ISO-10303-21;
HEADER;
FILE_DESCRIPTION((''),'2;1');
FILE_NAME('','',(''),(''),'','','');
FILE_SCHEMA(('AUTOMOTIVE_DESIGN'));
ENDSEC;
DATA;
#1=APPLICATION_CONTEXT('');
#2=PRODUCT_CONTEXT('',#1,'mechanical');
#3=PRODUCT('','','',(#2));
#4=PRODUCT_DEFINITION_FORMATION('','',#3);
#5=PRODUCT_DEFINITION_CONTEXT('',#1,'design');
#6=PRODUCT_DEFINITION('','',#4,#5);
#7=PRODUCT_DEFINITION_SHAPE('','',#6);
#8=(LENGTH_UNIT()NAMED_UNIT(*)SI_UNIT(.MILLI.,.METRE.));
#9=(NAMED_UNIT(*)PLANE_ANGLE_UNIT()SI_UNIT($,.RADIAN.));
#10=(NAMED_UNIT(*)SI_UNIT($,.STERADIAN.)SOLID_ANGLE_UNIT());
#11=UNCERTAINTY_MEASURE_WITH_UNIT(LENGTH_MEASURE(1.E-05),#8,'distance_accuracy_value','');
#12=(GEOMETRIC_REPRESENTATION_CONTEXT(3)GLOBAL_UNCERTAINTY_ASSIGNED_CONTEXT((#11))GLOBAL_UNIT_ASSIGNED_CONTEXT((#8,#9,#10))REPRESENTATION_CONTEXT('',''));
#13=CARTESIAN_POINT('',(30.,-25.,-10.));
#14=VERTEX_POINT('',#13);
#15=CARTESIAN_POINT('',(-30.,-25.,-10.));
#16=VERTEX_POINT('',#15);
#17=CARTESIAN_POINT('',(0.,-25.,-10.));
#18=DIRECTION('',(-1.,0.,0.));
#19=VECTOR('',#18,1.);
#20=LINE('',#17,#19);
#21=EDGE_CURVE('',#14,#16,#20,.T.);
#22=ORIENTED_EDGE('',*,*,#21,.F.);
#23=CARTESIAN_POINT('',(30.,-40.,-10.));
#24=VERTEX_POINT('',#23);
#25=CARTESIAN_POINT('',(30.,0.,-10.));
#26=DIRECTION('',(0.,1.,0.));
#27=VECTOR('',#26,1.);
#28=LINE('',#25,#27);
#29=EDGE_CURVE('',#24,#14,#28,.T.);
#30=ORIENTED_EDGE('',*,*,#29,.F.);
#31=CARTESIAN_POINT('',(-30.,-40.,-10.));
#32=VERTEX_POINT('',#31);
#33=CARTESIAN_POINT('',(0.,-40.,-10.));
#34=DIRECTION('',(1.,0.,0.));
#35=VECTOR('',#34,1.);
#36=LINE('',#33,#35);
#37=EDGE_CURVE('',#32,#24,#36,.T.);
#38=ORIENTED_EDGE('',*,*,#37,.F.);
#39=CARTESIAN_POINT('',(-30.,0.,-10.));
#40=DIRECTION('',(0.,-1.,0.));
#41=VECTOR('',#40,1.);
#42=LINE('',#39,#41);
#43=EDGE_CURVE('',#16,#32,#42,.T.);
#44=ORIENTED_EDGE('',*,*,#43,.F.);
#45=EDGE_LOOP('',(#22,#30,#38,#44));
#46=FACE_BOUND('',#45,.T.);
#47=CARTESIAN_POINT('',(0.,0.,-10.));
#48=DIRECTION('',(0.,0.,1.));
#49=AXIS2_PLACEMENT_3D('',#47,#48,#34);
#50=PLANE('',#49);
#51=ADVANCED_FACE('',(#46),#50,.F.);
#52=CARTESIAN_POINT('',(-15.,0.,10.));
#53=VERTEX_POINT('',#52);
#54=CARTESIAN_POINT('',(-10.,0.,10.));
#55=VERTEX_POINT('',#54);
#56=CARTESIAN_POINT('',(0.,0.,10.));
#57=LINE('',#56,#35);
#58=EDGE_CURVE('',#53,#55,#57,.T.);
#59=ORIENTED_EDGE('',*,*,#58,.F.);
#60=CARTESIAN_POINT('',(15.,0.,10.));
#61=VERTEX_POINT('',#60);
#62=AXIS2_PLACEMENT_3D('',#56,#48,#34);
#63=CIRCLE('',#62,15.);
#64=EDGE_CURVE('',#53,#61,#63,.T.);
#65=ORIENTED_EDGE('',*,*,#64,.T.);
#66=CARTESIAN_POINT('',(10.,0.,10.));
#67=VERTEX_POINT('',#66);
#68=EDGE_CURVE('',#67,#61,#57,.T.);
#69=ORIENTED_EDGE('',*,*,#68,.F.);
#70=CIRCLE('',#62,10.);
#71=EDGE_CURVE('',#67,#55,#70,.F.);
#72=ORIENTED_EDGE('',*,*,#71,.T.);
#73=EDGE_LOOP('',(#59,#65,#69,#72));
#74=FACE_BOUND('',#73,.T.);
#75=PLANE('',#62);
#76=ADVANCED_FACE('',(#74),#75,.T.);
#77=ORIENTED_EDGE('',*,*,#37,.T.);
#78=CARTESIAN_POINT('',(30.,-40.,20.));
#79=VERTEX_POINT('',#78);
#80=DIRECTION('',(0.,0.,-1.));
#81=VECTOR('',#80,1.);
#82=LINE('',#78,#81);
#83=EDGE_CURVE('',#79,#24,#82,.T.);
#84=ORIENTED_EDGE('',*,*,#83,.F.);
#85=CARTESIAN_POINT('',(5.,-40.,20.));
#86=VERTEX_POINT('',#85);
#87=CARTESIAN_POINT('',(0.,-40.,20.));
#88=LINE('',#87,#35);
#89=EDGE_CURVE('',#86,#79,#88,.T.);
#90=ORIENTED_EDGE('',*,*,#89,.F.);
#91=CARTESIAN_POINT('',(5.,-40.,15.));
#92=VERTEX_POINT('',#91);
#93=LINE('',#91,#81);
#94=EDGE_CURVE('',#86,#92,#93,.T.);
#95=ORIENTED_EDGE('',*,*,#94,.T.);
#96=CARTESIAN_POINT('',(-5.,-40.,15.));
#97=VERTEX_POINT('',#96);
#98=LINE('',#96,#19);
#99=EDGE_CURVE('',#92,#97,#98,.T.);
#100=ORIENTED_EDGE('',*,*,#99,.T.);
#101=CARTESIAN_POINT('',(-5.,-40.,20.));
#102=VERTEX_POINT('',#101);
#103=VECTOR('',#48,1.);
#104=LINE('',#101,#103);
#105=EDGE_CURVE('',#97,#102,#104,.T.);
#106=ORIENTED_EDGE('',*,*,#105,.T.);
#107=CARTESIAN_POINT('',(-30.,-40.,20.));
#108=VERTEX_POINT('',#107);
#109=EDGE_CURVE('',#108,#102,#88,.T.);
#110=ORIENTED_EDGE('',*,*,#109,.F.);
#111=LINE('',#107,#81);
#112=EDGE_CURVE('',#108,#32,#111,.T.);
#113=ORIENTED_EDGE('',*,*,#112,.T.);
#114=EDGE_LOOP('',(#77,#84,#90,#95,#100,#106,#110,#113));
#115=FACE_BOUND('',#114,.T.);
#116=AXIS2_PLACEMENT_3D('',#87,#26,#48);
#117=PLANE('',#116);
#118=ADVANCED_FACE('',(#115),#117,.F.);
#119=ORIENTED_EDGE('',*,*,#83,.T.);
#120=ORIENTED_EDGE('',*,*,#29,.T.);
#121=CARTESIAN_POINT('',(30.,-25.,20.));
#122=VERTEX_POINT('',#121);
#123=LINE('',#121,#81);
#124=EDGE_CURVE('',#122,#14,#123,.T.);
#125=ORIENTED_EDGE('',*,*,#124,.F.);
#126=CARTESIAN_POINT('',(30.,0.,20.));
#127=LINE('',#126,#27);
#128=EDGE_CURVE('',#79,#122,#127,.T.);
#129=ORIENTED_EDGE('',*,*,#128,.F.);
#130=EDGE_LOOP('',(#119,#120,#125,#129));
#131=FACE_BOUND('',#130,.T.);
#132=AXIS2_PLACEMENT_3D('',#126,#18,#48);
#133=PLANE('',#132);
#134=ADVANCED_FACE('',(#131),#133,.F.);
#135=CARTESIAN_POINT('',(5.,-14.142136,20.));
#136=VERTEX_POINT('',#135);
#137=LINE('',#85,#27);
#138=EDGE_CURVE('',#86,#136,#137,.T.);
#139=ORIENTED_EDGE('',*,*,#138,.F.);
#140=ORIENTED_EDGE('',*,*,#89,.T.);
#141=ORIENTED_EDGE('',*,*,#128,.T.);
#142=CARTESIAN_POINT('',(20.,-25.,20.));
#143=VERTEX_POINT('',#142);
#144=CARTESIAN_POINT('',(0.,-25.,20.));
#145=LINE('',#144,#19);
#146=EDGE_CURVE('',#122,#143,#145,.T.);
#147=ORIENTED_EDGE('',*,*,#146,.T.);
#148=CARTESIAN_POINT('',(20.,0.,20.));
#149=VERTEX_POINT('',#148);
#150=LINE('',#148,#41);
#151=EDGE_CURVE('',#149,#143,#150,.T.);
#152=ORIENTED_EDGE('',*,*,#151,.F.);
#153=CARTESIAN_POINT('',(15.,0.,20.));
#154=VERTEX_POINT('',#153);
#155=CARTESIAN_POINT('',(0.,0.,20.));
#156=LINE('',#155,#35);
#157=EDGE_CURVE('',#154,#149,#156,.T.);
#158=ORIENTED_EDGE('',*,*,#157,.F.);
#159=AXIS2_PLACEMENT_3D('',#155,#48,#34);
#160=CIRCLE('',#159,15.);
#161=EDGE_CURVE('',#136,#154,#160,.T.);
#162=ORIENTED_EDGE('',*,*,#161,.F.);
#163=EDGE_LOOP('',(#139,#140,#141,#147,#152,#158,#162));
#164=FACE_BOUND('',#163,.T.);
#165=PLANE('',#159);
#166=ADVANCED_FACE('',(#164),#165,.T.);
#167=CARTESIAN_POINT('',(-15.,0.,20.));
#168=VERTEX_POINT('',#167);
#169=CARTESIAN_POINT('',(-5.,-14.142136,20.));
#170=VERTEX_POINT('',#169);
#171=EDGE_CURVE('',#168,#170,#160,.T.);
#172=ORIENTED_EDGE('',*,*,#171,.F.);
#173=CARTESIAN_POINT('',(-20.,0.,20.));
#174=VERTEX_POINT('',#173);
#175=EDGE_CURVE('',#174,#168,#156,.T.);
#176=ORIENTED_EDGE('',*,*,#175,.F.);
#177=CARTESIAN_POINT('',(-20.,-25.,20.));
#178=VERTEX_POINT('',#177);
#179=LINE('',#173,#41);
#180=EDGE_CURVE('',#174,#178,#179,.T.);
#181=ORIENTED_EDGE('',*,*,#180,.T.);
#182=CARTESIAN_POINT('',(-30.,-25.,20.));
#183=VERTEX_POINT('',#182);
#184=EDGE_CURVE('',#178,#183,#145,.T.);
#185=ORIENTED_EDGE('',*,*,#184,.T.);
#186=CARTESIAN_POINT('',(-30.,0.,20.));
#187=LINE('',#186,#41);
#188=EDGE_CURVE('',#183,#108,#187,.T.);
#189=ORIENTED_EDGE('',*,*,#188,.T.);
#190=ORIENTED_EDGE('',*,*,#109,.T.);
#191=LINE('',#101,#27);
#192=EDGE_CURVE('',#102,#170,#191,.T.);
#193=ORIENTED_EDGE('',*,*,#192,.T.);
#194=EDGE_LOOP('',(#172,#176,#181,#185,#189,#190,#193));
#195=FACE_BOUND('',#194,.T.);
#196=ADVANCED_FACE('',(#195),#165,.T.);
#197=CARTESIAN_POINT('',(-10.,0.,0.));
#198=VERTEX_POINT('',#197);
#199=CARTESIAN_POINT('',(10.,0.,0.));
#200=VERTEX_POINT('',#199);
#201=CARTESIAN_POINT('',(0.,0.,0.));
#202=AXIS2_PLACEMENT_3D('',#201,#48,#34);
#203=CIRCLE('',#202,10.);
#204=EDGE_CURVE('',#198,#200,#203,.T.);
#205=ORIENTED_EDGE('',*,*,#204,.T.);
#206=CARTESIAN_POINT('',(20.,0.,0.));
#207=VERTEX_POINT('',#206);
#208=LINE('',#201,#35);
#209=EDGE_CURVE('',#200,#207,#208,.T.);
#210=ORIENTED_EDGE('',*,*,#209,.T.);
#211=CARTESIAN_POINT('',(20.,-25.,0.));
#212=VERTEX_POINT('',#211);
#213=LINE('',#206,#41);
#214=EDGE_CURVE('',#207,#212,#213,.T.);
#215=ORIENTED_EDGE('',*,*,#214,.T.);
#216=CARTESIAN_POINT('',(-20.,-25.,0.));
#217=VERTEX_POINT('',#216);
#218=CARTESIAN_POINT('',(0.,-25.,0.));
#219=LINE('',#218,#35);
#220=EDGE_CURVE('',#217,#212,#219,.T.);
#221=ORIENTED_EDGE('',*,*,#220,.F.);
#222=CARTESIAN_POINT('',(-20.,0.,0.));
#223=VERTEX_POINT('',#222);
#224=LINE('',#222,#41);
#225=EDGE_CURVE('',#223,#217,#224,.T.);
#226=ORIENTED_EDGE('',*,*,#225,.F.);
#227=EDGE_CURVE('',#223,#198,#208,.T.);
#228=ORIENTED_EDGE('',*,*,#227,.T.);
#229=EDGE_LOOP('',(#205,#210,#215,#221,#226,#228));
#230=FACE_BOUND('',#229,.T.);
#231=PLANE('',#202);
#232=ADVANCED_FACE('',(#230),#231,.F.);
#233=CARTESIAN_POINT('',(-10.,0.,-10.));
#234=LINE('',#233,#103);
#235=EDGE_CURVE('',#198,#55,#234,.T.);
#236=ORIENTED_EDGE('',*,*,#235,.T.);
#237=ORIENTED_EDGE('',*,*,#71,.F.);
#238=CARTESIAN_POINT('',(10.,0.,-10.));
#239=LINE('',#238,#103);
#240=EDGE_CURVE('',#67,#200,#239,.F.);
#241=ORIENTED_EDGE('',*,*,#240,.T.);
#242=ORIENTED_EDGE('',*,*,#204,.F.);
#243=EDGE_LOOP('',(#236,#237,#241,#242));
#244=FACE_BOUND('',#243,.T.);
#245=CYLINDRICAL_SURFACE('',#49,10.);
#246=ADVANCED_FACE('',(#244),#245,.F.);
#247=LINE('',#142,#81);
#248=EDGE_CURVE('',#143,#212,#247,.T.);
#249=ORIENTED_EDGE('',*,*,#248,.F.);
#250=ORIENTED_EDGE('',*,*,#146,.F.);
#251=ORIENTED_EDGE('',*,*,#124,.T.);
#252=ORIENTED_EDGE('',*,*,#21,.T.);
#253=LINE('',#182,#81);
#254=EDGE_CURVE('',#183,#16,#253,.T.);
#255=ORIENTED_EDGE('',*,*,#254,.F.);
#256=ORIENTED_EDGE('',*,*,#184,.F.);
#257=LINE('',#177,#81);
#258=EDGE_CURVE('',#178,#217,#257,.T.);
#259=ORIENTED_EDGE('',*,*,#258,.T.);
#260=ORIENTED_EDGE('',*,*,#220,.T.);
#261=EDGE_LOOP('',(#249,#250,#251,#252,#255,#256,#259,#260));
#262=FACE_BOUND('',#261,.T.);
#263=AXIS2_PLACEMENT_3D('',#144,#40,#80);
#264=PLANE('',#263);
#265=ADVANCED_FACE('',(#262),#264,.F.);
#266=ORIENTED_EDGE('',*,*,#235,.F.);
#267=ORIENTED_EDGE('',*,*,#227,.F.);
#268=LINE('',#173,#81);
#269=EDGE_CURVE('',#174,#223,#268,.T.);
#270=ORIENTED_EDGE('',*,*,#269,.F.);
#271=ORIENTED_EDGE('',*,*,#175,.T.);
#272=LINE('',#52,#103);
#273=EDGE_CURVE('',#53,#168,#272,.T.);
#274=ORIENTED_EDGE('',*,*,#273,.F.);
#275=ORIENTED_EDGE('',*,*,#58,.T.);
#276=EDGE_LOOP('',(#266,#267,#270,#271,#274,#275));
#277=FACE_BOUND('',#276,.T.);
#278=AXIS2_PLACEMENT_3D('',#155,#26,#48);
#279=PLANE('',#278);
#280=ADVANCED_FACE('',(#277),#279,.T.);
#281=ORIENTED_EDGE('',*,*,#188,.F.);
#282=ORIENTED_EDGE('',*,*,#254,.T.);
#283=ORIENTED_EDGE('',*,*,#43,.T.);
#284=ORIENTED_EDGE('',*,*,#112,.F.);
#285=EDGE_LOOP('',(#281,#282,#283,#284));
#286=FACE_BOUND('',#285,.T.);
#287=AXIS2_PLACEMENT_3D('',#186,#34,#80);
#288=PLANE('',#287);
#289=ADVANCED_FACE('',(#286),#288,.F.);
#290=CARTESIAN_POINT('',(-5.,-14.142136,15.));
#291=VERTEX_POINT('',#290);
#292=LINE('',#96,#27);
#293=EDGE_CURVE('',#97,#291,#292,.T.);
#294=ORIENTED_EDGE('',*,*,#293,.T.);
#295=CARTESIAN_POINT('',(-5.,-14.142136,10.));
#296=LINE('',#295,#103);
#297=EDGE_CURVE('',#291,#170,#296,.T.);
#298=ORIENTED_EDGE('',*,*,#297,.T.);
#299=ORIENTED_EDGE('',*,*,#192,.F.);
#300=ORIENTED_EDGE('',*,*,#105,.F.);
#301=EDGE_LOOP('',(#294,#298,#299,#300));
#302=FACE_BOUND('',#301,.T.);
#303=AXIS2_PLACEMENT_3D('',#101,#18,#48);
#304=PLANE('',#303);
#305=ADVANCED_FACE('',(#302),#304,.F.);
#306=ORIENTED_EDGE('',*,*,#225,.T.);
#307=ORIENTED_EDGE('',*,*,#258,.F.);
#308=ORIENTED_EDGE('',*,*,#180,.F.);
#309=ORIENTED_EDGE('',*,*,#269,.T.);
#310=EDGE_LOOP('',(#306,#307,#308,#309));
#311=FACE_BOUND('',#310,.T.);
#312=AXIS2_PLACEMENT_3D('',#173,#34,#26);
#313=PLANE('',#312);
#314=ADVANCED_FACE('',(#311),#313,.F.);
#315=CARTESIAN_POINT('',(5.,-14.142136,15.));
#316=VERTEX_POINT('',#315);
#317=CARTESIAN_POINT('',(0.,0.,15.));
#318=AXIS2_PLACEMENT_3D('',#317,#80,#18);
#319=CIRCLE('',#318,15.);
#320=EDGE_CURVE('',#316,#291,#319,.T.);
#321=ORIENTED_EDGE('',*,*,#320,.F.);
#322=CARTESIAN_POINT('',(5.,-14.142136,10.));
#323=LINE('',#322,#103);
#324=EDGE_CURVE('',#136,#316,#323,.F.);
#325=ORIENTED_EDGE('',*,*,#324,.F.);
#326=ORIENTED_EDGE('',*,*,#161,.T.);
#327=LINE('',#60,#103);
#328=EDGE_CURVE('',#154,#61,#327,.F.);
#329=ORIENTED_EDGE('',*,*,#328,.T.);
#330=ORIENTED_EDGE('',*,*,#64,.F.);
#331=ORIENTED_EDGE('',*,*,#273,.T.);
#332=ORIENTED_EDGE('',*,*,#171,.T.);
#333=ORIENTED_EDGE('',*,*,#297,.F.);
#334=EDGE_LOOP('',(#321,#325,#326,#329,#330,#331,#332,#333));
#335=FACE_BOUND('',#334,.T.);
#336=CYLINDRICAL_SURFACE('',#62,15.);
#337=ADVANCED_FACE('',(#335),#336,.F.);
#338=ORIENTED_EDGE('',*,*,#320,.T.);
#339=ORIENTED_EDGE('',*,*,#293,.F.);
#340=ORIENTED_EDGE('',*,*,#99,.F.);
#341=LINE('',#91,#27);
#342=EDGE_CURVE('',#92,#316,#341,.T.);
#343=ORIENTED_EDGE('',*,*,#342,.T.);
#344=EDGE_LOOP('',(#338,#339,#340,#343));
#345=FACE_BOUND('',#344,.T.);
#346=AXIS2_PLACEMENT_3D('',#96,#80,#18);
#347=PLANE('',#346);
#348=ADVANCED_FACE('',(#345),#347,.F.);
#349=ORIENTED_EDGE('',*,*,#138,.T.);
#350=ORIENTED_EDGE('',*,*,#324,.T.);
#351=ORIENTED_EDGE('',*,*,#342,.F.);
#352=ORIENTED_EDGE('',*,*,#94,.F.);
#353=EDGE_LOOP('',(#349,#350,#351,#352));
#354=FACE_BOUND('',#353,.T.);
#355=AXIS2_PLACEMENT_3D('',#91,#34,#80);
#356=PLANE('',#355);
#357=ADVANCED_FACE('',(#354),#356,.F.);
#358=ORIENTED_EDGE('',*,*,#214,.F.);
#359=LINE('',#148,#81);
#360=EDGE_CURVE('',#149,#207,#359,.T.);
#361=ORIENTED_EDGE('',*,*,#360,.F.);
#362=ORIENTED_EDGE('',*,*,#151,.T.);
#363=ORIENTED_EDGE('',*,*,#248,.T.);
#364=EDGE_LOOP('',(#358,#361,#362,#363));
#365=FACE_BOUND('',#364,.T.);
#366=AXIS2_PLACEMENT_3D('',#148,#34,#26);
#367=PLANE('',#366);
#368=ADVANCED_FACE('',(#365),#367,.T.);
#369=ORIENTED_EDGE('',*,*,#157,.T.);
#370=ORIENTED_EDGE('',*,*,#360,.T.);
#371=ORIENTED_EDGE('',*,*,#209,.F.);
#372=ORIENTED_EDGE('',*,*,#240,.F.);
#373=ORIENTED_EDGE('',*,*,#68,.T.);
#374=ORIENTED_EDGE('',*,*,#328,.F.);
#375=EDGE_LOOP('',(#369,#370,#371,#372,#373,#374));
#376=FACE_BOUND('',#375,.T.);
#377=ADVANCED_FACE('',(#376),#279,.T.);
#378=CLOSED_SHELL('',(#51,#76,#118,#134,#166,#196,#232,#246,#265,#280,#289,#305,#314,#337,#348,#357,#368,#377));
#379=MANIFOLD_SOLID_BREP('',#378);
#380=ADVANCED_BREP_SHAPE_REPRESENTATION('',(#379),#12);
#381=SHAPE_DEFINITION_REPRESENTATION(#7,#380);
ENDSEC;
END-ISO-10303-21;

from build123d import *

# Parameters (mm, degrees)
SKETCH1_W                = 40
SKETCH1_H                = 25
BOSS_EXTRUDE1_DEPTH      = 20
BOSS_EXTRUDE2_DEPTH      = 20
BOSS_EXTRUDE2_DEPTH_BACK = 10
SKETCH2_R                = 10
CUT_EXTRUDE1_DEPTH       = 59.309518948
SKETCH3_W                = 10
SKETCH3_H                = 5
CUT_EXTRUDE2_DEPTH       = 54.851648071
SKETCH4_R                = 15
CUT_EXTRUDE3_DEPTH       = 10


with BuildPart() as part:
    # Sketch1 → Boss-Extrude1 (new body)
    with BuildSketch(Plane.XY):
        with Locations((0, -12.5)):
            Rectangle(SKETCH1_W, SKETCH1_H)
    extrude(amount=BOSS_EXTRUDE1_DEPTH)

    # Sketch1<3> → Boss-Extrude2 (add, two sides: drawn at the far end of the back side and taken through both)
    with BuildSketch(Plane.XY.offset(-BOSS_EXTRUDE2_DEPTH_BACK)):
        Polygon((20, -25), (-20, -25), (-30, -25), (-30, -40), (30, -40), (30, -25), align=None)
    extrude(amount=BOSS_EXTRUDE2_DEPTH + BOSS_EXTRUDE2_DEPTH_BACK)

    # Sketch2 → Cut-Extrude1 (cut, through all)
    with BuildSketch(Plane.XY.offset(20)):
        Circle(SKETCH2_R)
    extrude(amount=-CUT_EXTRUDE1_DEPTH, mode=Mode.SUBTRACT)

    # Sketch3 → Cut-Extrude2 (cut, through all)
    with BuildSketch(Plane(origin=(0, 0, 0), x_dir=(1, 0, 0), z_dir=(0, 1, 0))):
        with Locations((0, -17.5)):
            Rectangle(SKETCH3_W, SKETCH3_H)
    extrude(amount=-CUT_EXTRUDE2_DEPTH, mode=Mode.SUBTRACT)

    # Sketch4 → Cut-Extrude3 (cut)
    with BuildSketch(Plane.XY.offset(20)):
        Circle(SKETCH4_R)
    extrude(amount=-CUT_EXTRUDE3_DEPTH, mode=Mode.SUBTRACT)


solid = part.part
